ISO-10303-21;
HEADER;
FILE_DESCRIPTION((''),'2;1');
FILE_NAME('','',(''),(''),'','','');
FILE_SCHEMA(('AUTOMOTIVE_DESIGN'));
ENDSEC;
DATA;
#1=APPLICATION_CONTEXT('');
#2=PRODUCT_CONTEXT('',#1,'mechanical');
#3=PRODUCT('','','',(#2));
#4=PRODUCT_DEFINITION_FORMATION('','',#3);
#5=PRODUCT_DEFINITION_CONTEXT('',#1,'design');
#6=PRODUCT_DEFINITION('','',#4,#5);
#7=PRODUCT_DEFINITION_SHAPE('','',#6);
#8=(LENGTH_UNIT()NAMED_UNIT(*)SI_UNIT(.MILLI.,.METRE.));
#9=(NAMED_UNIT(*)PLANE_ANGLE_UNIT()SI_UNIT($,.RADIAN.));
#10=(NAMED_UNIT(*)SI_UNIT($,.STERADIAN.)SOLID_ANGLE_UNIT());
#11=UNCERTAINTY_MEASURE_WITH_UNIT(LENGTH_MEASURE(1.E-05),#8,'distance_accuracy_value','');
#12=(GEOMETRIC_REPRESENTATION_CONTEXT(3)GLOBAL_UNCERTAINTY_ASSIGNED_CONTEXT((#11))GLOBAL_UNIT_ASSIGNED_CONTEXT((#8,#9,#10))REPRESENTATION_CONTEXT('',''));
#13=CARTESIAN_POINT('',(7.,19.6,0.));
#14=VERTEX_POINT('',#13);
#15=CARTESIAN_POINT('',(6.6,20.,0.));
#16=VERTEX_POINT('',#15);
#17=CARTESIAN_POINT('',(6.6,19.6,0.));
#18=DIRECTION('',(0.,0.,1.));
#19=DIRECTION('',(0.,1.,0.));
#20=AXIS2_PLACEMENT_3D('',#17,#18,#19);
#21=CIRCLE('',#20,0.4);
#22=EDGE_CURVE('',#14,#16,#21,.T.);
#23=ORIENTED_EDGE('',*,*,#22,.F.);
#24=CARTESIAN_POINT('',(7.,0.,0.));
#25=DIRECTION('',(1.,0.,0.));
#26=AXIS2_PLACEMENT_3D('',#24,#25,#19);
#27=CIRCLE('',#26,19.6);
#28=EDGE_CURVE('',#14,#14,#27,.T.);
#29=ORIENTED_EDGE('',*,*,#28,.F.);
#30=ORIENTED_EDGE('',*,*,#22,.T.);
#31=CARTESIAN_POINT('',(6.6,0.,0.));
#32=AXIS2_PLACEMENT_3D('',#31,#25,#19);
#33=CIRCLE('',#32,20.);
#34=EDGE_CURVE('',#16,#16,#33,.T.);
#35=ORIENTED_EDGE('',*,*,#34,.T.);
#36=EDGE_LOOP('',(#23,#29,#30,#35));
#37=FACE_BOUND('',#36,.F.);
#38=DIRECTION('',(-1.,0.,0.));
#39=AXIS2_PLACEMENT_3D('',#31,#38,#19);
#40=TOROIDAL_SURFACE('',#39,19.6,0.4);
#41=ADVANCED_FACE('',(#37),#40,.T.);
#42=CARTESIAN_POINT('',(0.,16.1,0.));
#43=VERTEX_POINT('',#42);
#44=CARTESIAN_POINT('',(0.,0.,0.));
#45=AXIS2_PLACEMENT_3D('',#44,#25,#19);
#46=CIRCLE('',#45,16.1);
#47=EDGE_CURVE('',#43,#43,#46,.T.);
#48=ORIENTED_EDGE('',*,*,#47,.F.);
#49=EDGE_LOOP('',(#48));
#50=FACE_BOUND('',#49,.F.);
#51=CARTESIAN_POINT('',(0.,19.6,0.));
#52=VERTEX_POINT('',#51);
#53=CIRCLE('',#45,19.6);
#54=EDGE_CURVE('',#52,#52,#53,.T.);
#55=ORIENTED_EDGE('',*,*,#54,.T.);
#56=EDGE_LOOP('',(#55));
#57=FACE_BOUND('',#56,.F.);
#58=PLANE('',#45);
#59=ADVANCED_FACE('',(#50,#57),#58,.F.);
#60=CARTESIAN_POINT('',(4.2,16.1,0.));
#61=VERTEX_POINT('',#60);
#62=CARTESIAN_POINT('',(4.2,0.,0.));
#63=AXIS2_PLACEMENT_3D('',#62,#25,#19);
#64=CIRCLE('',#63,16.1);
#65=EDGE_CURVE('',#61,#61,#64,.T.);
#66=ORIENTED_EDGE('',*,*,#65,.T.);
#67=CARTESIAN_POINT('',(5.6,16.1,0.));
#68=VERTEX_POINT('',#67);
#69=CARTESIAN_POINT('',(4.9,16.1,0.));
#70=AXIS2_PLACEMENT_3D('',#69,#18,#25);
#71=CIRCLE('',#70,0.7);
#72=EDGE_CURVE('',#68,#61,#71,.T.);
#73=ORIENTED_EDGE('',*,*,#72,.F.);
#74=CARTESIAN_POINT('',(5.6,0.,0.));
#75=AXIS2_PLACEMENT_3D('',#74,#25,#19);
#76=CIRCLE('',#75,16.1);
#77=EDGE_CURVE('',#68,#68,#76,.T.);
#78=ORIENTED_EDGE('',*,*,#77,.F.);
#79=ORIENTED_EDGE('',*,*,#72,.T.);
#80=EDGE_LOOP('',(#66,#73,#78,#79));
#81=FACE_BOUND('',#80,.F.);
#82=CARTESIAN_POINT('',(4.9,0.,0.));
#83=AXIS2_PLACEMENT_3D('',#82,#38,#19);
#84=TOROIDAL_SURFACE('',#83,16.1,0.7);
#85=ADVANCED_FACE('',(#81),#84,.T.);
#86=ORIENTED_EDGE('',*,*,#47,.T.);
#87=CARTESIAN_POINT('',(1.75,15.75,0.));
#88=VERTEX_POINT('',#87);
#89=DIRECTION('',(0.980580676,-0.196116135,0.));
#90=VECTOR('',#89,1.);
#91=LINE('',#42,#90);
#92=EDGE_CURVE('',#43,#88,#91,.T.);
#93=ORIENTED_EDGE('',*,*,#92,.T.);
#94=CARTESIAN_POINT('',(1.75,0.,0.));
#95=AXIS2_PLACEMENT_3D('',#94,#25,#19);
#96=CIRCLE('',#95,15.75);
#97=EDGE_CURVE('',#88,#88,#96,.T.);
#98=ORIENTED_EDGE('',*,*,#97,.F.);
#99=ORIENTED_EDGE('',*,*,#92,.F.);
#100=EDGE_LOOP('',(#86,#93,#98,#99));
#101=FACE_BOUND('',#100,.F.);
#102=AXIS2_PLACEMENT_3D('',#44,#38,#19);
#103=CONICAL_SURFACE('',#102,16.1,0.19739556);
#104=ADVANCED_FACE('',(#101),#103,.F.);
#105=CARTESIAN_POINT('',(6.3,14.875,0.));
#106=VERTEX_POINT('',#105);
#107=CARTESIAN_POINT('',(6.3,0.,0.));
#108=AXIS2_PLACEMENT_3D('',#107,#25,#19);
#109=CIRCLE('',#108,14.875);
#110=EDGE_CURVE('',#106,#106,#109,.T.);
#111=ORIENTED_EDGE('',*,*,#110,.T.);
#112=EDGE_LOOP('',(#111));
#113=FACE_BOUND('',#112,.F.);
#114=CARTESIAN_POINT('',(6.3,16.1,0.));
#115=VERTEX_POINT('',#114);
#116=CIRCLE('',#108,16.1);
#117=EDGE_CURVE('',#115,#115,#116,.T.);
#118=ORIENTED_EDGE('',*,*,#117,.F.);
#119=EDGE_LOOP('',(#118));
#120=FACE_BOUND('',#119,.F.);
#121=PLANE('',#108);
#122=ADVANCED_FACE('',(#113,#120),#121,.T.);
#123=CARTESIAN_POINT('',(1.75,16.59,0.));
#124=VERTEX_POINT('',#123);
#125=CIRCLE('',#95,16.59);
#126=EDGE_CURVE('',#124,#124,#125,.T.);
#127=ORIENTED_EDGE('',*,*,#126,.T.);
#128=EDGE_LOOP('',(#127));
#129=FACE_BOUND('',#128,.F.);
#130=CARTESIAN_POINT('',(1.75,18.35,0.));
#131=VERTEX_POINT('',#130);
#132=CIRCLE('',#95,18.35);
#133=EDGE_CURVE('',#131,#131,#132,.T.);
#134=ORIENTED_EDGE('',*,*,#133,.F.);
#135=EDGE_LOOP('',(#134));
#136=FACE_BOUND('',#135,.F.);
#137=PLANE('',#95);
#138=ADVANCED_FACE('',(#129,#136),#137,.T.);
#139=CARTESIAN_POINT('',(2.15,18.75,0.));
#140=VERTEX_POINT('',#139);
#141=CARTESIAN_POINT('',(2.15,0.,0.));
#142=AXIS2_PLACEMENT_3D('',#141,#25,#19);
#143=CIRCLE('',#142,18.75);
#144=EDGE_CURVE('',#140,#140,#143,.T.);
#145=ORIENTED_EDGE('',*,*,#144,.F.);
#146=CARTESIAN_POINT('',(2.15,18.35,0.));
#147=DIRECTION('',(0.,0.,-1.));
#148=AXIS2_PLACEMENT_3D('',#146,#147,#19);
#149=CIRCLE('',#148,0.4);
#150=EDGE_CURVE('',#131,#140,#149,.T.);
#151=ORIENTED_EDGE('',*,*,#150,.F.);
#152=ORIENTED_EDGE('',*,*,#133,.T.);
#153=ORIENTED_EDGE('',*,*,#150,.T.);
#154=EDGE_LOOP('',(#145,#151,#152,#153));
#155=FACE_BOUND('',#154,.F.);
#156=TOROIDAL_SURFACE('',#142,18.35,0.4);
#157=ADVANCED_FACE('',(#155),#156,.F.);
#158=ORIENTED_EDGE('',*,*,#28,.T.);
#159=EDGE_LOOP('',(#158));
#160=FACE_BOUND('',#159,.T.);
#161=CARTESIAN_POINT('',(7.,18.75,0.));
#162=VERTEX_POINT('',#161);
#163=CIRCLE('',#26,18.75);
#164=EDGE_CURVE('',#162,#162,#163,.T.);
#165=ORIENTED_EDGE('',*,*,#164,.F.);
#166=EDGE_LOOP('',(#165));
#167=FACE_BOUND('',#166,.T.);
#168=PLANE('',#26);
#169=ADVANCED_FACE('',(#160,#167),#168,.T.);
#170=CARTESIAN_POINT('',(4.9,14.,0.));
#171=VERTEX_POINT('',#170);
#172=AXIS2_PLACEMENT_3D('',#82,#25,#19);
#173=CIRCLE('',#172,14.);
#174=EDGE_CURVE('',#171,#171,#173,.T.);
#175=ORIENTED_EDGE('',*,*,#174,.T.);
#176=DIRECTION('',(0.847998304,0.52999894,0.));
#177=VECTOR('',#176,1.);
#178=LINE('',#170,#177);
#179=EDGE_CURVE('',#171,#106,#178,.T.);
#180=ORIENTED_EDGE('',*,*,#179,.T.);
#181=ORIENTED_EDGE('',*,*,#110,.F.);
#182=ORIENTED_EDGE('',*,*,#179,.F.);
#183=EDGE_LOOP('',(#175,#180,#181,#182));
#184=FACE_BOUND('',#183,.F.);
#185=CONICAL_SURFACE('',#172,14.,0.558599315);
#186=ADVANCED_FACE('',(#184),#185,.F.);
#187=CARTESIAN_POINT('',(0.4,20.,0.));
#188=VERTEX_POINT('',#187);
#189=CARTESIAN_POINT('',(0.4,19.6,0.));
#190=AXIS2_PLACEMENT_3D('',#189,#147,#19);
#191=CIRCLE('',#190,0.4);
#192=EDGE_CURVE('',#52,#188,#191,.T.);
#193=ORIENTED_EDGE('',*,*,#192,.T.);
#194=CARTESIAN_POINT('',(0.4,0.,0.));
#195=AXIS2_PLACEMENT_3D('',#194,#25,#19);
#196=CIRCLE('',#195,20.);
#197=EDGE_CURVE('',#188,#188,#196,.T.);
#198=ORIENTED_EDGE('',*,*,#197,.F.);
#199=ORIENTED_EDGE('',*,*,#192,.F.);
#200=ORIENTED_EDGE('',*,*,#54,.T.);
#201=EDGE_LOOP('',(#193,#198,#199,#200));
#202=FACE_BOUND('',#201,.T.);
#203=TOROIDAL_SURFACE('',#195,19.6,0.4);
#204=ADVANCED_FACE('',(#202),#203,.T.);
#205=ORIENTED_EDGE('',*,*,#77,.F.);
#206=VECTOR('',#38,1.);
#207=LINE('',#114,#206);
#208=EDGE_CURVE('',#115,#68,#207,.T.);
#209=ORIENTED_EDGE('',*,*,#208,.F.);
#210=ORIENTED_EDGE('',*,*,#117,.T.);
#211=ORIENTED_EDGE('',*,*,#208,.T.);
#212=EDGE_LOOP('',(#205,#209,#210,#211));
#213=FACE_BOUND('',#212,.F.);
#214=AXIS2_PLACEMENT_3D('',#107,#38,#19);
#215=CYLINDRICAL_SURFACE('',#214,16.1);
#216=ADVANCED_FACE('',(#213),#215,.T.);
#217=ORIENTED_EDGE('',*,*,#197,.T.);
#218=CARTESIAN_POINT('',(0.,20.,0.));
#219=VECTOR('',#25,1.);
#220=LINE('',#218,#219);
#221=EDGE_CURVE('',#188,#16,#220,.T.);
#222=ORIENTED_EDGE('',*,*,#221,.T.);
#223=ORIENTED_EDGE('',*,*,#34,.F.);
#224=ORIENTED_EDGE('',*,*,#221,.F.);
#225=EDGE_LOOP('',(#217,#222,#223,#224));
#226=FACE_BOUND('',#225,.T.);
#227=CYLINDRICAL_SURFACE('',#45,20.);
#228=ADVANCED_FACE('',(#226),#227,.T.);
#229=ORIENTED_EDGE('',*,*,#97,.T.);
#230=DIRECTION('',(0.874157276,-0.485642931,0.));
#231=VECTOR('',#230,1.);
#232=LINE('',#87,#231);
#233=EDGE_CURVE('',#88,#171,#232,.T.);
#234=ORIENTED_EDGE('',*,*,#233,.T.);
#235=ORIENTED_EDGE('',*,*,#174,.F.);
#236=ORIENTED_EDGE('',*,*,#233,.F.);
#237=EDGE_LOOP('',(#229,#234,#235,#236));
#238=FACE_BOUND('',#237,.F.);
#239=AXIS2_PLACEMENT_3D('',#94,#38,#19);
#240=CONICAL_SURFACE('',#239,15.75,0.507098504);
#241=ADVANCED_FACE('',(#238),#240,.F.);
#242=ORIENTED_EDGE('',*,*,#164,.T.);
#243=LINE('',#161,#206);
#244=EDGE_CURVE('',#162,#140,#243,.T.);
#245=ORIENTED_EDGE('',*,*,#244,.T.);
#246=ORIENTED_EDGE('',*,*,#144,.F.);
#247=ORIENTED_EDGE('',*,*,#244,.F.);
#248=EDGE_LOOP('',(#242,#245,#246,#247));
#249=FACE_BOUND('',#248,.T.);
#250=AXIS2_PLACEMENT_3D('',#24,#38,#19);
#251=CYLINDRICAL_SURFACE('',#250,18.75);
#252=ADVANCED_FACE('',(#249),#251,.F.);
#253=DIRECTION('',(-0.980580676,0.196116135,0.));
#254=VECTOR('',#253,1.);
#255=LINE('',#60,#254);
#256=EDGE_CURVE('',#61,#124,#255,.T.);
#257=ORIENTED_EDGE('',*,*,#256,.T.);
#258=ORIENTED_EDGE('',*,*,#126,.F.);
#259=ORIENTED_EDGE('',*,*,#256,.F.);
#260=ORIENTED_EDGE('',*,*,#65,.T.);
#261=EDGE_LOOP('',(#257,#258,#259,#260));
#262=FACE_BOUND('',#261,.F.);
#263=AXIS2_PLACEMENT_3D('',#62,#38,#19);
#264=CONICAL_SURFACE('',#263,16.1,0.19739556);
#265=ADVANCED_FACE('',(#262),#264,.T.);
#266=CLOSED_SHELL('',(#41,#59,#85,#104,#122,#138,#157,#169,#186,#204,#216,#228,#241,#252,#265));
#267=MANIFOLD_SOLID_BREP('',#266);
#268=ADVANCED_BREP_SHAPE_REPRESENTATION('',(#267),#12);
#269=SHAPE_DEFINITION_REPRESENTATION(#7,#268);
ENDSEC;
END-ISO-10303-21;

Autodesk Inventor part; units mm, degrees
ref_plane "YZ Plane" through (0, 0, 0) normal (1, 0, 0) x (0, 1, 0)
ref_plane "XZ Plane" through (0, 0, 0) normal (0, 1, 0) x (-1, 0, 0)
ref_plane "XY Plane" through (0, 0, 0) normal (0, 0, 1) x (1, 0, 0)
sketch "Эскиз1" plane through (0, 0, 0) normal (0, 0, 1) x (1, 0, 0)
  circle A0 centre (4.9, 16.1) radius 0.455
  circle A1 centre (4.9, 16.1) radius 0.7
  line L0 (6.3, 14.875) -> (6.3, 16.1)
  line L1 (0, 20) -> (7, 20)
  line L2 (7, 20) -> (7, 18.75)
  line L3 (7, 18.75) -> (1.75, 18.75)
  line L4 (0, 0) -> (9.5856, 0)
  line L5 (0, 20) -> (0, 16.1)
  line L6 (0, 16.1) -> (1.75, 15.75)
  line L7 (1.75, 15.75) -> (4.9, 14)
  line L8 (4.9, 14) -> (6.3, 14.875)
  line L9 (4.9, 14) -> (0, 14) construction
  line L10 (0, 18) -> (0, -3) projected
  line L11 (-1.9171, 0) -> (11.5027, 0) projected
  line L12 (4.2, 16.1) -> (1.75, 16.59)
  line L13 (1.75, 16.59) -> (1.75, 18.75)
  line L14 (6.3, 16.1) -> (5.6, 16.1)
  dimension "d0" = 40
  dimension "d1" = 29.75
  dimension "d2" = 1.25
  dimension "d3" = 0.91
  dimension "d4" = 1.4
  dimension "d5" = 28
  dimension "d6" = 31.5
  dimension "d7" = 32.2
  dimension "d8" = 4.9
  dimension "d9" = 6.3
  dimension "d10" = 7
  dimension "d12" = 1.75
revolve "Базовый элемент" add sketch "Эскиз1" angle 360 about axis through (0, 0, 0) along (1, 0, 0) contours L14 L0 L8 L7 L6 L5 L1 L2 L3 L13 L12 A1
revolve "Пружинные1" add sketch "Эскиз1" angle 360 about axis through (0, 0, 0) along (1, 0, 0) contours A0 | A1
fillet "Сопряжение1" radius 0.4 3 edges at (7, -20, 0) (1.75, -18.75, 0) (0, -20, 0)
equation "\"d0\" = SD2"
equation "\"d1\" = ABDM"
equation "\"d3\" = SPDI"
equation "\"d4\" = SPDA"
equation "\"d5\" = NND"
equation "\"d6\" = TKDM"
equation "\"d7\" = HLDM"
equation "\"d8\" = SPDST"
equation "\"d9\" = SDI"
equation "\"d10\" = SWDT"
equation "\"d12\" = SD"
equation "\"d11\" = RR"
equation "\"SD2\" = 40"
equation "\"SWDT\" = 7"
equation "\"RR\" = 0.4"
equation "\"SD\" = 1.75"
equation "\"NND\" = 28"
equation "\"SPDA\" = 1.4"
equation "\"SPDI\" = 0.91"
equation "\"TKDM\" = 31.5"
equation "\"HLDM\" = 32.2"
equation "\"ABDM\" = 29.75"
equation "\"SDI\" = 6.3"
equation "\"SPDST\" = 4.9"
equation "\"LAB\" = 0.35"
properties part number "Манжет 1-28x40x7 ГОСТ 8752-79" material "Резина"
